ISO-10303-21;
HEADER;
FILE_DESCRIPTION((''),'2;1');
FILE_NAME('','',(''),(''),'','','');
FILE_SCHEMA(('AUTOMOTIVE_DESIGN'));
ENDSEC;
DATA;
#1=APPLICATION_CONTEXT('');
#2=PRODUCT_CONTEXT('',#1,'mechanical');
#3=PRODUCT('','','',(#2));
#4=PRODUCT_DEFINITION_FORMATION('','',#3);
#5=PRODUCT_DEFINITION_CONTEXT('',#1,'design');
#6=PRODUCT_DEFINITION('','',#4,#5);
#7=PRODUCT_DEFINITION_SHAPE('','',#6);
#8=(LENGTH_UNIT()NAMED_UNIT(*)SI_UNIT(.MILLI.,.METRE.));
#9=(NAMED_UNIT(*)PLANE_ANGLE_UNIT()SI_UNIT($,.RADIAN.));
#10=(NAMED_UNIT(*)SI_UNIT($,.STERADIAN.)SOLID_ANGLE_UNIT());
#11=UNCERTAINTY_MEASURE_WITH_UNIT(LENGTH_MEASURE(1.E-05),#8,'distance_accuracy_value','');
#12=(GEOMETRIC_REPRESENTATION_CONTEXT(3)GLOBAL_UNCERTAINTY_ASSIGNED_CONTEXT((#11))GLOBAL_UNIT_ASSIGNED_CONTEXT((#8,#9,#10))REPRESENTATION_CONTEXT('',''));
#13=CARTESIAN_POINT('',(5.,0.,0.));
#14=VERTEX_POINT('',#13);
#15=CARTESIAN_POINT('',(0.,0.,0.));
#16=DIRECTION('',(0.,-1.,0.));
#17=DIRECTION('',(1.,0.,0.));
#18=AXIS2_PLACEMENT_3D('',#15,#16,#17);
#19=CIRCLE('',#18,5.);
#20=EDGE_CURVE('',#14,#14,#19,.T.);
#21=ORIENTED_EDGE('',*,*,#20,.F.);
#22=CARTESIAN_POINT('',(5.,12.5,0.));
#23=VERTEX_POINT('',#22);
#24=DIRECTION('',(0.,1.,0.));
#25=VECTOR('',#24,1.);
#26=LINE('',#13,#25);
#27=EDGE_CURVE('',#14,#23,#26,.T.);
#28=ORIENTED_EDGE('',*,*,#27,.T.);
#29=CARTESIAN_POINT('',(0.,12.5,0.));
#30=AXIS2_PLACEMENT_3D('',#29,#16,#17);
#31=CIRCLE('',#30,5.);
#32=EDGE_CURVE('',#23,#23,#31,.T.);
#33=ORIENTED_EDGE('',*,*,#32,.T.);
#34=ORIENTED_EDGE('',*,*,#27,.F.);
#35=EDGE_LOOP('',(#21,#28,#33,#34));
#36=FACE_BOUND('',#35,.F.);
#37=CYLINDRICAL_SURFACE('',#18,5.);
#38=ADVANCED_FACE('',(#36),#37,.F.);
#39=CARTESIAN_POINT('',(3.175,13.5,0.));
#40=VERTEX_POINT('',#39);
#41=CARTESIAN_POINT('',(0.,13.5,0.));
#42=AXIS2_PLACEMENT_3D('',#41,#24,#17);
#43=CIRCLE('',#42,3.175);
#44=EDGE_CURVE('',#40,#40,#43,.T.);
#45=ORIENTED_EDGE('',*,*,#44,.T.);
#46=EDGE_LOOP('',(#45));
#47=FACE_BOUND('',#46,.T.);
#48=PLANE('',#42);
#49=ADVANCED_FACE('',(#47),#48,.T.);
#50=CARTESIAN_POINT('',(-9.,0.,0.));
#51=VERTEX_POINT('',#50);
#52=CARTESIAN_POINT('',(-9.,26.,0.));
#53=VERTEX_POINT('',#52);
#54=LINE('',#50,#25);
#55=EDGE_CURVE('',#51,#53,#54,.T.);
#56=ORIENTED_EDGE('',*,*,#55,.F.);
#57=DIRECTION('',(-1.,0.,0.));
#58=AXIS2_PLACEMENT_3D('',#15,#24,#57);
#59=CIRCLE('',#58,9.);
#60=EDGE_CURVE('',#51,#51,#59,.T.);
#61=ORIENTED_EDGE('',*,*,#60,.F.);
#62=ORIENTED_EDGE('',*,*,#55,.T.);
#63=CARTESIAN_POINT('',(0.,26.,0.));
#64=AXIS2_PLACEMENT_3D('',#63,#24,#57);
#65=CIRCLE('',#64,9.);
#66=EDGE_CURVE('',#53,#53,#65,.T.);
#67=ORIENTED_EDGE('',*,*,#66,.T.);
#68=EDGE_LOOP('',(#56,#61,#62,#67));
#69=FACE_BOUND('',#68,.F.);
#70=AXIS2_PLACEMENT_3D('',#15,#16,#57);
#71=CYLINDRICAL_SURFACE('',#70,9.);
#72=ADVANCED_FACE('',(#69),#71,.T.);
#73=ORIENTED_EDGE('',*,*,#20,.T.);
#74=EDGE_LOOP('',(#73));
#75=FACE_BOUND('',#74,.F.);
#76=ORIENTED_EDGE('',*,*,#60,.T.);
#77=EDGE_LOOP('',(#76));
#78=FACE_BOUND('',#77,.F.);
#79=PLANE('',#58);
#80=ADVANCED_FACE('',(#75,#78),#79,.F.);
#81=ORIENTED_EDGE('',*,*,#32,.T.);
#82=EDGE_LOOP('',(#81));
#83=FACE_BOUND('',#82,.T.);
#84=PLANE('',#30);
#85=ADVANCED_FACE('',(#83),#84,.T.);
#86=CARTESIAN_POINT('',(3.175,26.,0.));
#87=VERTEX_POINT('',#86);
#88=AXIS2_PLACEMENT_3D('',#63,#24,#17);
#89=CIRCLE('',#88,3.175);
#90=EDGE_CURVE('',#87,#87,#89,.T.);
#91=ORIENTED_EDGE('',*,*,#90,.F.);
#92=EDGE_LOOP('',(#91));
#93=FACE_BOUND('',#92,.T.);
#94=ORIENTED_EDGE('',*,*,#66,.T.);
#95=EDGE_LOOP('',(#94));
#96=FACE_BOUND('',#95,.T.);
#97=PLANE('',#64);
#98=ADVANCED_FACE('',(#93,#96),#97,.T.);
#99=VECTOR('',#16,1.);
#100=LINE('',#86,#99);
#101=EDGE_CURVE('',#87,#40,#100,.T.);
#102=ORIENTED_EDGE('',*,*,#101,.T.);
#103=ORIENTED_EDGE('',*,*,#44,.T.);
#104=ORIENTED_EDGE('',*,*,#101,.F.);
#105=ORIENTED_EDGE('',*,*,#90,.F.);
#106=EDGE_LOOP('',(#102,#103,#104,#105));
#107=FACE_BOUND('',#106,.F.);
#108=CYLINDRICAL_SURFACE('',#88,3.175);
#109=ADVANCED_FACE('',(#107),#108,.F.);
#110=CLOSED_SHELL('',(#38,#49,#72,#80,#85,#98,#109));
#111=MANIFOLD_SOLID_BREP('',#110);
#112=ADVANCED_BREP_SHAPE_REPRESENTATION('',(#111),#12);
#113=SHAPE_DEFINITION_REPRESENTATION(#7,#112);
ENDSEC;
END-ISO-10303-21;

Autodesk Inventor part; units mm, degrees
ref_plane "YZ Plane" through (0, 0, 0) normal (1, 0, 0) x (0, 1, 0)
ref_plane "XZ Plane" through (0, 0, 0) normal (0, 1, 0) x (-1, 0, 0)
ref_plane "XY Plane" through (0, 0, 0) normal (0, 0, 1) x (1, 0, 0)
sketch "Sketch1" plane through (0, 0, 0) normal (0, 1, 0) x (-1, 0, 0)
  circle A0 centre (0, 0) radius 9
  dimension "d0" = 18
extrude "Extrusion1" add sketch "Sketch1" along normal blind 26
sketch "Sketch3" plane through (0, 26, 0) normal (0, 1, 0) x (1, 0, 0)
  circle A0 centre (0, 0) radius 3.175
  dimension "d10" = 6.35
extrude "Extrusion2" cut sketch "Sketch3" against normal blind 12.5
sketch "Sketch4" plane through (0, 0, 0) normal (0, -1, 0) x (1, 0, 0)
  circle A0 centre (0, 0) radius 5
  dimension "d13" = 10
extrude "Extrusion3" cut sketch "Sketch4" against normal blind 12.5
properties part number "Acople Flexible"
